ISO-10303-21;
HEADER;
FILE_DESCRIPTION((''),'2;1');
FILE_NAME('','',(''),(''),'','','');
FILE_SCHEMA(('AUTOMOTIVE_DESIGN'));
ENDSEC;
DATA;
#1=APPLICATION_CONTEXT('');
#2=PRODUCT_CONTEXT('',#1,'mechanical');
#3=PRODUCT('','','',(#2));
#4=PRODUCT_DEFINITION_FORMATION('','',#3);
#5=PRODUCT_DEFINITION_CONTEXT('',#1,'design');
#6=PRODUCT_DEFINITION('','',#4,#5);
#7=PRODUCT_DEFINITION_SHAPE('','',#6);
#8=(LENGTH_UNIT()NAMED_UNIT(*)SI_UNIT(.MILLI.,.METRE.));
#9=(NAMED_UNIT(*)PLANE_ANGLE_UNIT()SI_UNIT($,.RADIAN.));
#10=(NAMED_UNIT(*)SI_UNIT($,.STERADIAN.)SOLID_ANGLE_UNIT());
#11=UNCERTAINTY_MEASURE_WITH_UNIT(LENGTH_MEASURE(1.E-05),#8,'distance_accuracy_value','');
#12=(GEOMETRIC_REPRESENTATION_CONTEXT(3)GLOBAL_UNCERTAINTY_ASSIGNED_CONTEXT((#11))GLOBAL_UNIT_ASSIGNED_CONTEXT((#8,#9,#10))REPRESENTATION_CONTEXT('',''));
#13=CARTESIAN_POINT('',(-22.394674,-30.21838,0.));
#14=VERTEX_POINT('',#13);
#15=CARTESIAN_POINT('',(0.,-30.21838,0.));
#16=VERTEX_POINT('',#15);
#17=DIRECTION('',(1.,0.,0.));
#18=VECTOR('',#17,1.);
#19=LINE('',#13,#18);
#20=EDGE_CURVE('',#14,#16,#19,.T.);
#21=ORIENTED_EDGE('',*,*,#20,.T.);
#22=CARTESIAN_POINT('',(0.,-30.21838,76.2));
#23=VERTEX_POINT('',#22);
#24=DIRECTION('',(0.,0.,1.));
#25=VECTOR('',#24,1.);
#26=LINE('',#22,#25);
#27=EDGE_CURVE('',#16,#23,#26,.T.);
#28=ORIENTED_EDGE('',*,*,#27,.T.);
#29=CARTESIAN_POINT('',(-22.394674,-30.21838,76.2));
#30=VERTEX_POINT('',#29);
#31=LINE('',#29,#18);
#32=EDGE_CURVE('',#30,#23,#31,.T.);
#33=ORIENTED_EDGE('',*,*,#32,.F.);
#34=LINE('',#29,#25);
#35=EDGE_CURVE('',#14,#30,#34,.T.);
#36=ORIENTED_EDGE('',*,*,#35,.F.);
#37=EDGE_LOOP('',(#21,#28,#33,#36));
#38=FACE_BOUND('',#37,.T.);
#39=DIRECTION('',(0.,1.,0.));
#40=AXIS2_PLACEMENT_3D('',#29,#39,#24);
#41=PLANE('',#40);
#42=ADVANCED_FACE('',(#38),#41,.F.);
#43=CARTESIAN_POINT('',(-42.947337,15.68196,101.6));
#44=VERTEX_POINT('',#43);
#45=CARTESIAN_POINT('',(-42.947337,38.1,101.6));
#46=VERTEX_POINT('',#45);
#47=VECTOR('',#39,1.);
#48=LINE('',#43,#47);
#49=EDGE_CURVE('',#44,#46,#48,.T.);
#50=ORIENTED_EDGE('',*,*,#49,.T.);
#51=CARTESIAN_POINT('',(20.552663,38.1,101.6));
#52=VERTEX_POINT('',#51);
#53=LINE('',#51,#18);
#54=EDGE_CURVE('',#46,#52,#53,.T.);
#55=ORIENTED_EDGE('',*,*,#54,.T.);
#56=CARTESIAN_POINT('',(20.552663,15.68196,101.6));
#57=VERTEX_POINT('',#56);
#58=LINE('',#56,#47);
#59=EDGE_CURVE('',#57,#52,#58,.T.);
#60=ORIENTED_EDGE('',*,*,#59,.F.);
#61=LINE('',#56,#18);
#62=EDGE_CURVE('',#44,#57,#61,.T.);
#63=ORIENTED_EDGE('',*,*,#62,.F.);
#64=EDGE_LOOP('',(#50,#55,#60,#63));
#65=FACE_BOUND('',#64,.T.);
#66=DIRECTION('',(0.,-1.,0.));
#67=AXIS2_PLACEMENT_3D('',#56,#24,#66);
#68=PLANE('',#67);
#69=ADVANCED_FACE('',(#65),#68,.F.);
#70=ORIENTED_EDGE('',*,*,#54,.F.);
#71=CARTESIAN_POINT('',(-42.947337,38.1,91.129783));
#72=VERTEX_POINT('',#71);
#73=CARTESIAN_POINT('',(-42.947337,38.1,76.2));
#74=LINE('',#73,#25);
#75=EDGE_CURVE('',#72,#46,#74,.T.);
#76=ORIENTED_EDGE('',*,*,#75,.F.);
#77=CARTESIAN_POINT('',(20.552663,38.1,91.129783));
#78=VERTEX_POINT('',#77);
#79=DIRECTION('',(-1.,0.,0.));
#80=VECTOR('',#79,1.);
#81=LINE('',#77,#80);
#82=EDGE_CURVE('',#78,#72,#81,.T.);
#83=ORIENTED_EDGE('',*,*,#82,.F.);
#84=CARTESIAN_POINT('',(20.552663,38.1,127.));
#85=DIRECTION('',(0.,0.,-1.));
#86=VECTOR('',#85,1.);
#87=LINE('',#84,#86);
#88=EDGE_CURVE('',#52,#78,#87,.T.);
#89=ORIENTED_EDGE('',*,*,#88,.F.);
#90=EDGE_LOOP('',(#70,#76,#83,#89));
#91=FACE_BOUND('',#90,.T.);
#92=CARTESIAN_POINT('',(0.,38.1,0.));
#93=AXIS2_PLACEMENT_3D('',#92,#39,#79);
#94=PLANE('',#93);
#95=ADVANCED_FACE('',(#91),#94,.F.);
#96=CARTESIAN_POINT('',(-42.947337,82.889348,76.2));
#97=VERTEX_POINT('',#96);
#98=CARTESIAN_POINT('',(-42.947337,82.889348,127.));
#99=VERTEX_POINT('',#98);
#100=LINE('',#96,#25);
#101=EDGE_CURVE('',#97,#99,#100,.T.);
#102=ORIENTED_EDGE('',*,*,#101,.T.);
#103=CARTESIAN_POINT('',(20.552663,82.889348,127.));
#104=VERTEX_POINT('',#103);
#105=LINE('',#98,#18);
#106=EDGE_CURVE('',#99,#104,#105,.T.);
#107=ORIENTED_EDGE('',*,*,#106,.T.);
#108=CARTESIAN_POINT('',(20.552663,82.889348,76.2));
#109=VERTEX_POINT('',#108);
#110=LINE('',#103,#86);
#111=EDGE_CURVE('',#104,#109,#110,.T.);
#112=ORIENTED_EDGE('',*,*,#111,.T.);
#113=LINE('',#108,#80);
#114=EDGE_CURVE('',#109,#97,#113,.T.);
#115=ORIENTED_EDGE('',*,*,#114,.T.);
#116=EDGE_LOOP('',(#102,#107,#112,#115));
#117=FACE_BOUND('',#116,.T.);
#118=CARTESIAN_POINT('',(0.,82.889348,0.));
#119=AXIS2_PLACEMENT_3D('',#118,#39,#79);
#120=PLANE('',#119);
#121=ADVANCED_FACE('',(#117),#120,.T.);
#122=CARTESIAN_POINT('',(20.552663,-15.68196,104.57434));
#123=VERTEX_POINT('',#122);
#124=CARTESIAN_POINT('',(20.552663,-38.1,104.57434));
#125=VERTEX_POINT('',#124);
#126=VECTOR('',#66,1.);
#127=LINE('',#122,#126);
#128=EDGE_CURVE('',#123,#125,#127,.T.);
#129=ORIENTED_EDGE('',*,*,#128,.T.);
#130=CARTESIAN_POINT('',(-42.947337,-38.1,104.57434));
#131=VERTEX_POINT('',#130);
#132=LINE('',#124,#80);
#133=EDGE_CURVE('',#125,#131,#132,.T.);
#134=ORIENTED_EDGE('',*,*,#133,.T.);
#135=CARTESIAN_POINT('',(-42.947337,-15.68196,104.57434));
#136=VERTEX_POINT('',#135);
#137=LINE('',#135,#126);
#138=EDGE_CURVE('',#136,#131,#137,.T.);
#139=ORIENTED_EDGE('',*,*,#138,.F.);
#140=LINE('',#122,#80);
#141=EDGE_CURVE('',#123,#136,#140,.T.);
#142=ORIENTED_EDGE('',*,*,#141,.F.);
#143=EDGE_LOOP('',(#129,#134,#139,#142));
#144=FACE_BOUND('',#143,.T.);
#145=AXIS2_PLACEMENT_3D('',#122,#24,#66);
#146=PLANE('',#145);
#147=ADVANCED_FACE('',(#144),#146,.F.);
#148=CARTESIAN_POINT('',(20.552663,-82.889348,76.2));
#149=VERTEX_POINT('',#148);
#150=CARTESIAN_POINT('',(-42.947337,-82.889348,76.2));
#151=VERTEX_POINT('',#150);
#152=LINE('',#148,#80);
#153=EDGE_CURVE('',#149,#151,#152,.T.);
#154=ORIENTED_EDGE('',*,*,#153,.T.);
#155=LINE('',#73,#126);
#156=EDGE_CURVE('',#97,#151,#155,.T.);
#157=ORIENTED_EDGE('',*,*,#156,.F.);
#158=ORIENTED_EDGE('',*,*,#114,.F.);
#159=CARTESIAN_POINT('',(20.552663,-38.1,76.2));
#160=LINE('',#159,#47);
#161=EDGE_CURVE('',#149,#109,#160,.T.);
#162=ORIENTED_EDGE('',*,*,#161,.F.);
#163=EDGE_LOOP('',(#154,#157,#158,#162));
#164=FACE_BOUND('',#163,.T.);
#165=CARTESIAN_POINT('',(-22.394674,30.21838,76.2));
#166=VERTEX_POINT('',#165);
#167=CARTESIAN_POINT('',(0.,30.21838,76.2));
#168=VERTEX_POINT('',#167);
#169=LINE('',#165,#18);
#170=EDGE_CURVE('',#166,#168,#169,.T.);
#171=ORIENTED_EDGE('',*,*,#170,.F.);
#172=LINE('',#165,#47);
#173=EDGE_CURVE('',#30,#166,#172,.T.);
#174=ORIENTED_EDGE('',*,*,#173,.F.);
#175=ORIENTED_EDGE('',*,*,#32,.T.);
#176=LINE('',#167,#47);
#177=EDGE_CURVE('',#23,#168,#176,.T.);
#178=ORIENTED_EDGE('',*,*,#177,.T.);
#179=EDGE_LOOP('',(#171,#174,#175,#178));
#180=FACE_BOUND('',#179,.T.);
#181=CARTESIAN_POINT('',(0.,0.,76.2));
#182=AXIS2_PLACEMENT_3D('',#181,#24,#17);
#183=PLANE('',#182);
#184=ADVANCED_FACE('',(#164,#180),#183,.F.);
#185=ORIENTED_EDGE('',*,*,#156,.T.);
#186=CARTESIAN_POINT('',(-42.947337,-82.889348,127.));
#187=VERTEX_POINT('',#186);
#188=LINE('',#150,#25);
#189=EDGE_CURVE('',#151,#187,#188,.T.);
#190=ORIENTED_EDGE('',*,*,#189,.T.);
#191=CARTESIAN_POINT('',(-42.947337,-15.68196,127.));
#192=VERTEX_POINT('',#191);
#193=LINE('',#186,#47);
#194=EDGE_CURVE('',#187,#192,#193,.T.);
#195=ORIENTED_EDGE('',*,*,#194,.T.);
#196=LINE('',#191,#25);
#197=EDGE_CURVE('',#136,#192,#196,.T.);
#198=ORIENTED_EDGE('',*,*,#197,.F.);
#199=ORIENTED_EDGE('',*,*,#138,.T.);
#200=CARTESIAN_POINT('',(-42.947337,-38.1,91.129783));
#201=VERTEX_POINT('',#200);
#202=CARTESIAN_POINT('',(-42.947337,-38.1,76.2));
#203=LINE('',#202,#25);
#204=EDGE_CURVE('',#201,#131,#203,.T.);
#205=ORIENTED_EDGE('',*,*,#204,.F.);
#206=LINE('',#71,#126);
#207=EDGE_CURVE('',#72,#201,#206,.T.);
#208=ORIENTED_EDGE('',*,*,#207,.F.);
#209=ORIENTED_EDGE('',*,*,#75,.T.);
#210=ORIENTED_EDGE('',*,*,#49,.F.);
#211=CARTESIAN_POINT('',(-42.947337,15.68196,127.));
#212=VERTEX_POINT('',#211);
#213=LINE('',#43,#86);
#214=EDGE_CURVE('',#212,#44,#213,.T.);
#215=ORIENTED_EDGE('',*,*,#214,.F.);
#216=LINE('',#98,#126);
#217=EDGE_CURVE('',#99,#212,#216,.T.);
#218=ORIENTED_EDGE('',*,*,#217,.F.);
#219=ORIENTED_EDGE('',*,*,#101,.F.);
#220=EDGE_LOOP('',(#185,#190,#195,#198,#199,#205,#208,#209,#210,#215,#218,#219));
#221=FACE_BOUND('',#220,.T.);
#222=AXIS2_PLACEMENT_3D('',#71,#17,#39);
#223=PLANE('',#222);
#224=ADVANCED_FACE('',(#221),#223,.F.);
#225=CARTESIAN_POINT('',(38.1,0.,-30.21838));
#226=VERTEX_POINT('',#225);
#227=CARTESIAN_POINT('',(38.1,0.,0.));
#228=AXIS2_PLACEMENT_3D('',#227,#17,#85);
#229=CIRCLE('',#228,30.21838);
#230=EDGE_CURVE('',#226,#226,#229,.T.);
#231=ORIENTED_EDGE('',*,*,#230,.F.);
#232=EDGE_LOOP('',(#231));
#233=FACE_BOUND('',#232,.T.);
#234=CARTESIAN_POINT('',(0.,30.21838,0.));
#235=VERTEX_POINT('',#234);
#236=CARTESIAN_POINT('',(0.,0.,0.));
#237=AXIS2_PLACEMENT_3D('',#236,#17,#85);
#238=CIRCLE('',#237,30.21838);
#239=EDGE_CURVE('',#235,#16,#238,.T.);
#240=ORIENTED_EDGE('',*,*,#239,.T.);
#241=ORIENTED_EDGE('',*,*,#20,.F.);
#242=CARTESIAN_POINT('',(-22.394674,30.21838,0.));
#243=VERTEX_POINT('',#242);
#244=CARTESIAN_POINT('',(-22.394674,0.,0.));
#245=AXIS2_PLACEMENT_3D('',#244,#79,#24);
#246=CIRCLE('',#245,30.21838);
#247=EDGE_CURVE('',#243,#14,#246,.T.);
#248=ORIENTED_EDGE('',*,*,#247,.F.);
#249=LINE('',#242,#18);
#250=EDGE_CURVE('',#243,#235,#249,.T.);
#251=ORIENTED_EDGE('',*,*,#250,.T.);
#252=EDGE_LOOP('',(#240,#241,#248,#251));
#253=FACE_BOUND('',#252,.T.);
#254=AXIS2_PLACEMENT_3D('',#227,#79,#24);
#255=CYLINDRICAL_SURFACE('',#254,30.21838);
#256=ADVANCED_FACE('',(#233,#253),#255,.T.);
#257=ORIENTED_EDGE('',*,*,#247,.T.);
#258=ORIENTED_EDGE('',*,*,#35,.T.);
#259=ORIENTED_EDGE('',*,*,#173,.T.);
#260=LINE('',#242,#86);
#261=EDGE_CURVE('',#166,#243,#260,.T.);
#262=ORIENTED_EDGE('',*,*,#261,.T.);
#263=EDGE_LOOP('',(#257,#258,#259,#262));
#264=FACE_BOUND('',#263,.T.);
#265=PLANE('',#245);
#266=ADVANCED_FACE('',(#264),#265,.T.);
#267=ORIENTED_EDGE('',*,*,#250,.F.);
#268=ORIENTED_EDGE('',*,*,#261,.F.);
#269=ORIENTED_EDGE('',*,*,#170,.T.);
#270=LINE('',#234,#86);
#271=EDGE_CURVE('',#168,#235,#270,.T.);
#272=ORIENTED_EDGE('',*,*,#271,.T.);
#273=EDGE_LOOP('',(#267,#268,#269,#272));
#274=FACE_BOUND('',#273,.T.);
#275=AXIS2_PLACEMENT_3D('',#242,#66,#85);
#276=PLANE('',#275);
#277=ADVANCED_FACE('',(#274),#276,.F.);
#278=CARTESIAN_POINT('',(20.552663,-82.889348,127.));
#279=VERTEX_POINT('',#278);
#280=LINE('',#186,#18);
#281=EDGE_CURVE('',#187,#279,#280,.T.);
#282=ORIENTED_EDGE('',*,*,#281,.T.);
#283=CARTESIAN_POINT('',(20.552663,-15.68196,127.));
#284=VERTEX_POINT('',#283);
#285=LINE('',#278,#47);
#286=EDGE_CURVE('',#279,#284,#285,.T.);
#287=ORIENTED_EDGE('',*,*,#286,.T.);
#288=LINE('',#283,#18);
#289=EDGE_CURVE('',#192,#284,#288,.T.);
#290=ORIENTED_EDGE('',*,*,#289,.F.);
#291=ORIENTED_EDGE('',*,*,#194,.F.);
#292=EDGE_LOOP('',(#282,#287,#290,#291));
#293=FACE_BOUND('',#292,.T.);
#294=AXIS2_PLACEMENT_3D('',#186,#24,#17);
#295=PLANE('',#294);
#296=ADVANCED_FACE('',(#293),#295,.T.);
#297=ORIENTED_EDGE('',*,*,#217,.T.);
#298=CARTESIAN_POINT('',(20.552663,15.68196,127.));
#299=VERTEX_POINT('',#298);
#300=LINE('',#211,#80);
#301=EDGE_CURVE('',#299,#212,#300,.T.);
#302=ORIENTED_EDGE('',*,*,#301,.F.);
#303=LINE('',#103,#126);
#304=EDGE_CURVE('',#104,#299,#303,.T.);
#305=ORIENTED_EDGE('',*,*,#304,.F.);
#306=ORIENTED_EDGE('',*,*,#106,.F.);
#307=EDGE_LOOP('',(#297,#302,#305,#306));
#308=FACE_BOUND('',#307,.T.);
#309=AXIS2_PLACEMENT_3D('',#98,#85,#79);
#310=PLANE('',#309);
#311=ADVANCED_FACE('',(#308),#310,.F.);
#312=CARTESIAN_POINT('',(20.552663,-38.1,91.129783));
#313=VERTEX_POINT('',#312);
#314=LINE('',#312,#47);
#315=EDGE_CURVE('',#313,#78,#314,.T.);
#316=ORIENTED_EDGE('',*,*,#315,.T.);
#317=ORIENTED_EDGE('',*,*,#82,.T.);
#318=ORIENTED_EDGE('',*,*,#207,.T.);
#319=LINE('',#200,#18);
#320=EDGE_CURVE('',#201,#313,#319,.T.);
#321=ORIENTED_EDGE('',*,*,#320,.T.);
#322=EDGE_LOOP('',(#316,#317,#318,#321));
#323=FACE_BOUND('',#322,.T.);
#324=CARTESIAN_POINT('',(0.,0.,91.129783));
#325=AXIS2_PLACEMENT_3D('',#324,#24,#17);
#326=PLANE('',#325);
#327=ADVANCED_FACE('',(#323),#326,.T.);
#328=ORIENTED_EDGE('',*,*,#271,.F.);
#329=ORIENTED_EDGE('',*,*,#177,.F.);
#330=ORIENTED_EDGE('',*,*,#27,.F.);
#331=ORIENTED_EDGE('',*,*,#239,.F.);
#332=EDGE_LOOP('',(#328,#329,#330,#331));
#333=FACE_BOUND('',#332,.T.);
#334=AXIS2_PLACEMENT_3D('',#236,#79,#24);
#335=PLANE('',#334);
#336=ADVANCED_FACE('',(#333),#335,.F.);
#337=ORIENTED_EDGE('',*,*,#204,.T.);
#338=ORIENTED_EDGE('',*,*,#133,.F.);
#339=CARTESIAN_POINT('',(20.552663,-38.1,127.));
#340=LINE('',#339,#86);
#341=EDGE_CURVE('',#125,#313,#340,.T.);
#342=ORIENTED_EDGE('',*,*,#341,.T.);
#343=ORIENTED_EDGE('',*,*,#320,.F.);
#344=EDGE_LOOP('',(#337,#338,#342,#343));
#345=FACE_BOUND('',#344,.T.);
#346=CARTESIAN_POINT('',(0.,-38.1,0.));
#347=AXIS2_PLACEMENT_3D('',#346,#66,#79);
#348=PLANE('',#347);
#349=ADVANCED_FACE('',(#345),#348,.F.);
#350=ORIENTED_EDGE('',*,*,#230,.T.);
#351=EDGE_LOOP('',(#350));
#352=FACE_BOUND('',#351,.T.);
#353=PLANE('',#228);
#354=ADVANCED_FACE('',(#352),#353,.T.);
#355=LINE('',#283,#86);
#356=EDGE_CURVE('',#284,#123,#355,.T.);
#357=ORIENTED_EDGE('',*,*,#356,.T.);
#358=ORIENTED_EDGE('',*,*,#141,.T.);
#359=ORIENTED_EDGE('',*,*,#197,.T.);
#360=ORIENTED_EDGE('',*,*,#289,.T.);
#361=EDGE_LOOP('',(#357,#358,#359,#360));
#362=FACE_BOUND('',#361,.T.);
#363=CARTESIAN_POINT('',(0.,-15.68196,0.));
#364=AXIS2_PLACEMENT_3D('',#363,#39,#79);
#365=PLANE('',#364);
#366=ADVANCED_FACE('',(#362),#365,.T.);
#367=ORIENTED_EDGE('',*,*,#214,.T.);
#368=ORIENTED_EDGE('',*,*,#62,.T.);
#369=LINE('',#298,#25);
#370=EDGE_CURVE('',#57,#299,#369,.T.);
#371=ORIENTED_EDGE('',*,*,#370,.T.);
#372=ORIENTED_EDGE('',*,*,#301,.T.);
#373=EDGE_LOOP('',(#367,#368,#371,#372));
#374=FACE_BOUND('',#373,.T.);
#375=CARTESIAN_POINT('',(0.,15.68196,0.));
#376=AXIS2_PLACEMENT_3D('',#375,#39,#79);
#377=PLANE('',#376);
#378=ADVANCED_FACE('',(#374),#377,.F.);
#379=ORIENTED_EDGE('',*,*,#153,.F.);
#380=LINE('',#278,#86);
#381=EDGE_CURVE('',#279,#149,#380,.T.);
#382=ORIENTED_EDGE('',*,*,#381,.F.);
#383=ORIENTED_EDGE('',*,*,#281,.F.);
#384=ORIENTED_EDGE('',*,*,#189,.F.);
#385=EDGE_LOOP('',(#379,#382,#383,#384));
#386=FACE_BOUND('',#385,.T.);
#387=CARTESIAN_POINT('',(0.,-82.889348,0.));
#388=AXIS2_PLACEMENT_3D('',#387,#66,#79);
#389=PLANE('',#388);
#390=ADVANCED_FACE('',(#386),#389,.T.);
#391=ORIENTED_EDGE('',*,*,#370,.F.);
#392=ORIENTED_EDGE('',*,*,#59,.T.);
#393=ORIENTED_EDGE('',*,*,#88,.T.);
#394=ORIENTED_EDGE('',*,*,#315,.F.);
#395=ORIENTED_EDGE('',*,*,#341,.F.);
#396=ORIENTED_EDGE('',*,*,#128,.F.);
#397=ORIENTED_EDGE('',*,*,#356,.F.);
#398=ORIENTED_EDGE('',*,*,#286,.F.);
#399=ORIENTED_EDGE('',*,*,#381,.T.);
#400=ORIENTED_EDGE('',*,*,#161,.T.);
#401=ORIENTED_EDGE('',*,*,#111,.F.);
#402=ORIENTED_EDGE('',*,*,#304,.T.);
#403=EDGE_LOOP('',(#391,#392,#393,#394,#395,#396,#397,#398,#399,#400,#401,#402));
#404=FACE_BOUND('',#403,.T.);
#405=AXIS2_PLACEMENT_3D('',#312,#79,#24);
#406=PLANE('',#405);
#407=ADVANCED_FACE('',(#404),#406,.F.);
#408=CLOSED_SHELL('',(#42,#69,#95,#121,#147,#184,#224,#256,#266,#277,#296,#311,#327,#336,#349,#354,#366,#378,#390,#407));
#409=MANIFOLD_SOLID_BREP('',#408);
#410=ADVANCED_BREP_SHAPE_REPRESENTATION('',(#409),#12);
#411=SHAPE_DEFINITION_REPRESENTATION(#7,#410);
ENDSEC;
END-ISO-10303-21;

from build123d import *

# Parameters (mm, degrees)
SKETCH1_R           = 30.21838041
BOSS_EXTRUDE1_DEPTH = 38.1
BOSS_EXTRUDE2_START = 22.394673824
BOSS_EXTRUDE2_DEPTH = 22.394673824
SKETCH4_W           = 63.5
SKETCH4_H           = 76.2
BOSS_EXTRUDE4_DEPTH = 14.929782549
SKETCH5_W           = 63.5
SKETCH5_H           = 50.8
BOSS_EXTRUDE5_DEPTH = 44.789347647
SKETCH7_W           = 63.5
SKETCH7_H           = 25.4
BOSS_EXTRUDE7_DEPTH = 22.41804
SKETCH8_W           = 63.5
SKETCH8_H           = 22.42566
BOSS_EXTRUDE8_DEPTH = 22.41804


with BuildPart() as part:
    # Sketch1 → Boss-Extrude1 (new body)
    with BuildSketch(Plane.YZ):
        with Locations(Location((0, 0, 0), (0, 0, 90))):
            Circle(SKETCH1_R)
    extrude(amount=BOSS_EXTRUDE1_DEPTH)

    # Sketch2 → Boss-Extrude2 (add)
    with BuildSketch(Plane(origin=(0, 0, 0), x_dir=(0, -1, 0), z_dir=(-1, 0, 0)).offset(BOSS_EXTRUDE2_START)):
        with BuildLine():
            Line((-30.21838041, 0), (-30.21838041, 76.2))
            Line((-30.21838041, 76.2), (30.21838041, 76.2))
            Line((30.21838041, 76.2), (30.21838041, 0))
            ThreePointArc((30.21838041, 0), (0, -30.21838041), (-30.21838041, 0))
        make_face()
    extrude(amount=-BOSS_EXTRUDE2_DEPTH)

    # Sketch4 → Boss-Extrude4 (add)
    with BuildSketch(Plane.XY.offset(76.2)):
        with Locations((-11.197336912, 0)):
            Rectangle(SKETCH4_W, SKETCH4_H)
    extrude(amount=BOSS_EXTRUDE4_DEPTH)

    # Sketch5 → Boss-Extrude5 (add)
    with BuildSketch(Plane(origin=(0, 38.1, 0), x_dir=(-1, 0, 0), z_dir=(0, 1, 0))):
        with Locations((11.197336912, 101.6)):
            Rectangle(SKETCH5_W, SKETCH5_H)
    boss_extrude5 = extrude(amount=BOSS_EXTRUDE5_DEPTH)

    # Mirror1: Boss-Extrude5 across plane
    add(boss_extrude5.mirror(Plane.ZX))

    # Sketch7 → Boss-Extrude7 (add)
    with BuildSketch(Plane.XZ.offset(-38.1)):
        with Locations((-11.197336912, 114.3)):
            Rectangle(SKETCH7_W, SKETCH7_H)
    extrude(amount=BOSS_EXTRUDE7_DEPTH)

    # Sketch8 → Boss-Extrude8 (add)
    with BuildSketch(Plane(origin=(0, -38.1, 0), x_dir=(-1, 0, 0), z_dir=(0, 1, 0))):
        with Locations((11.197336912, 115.78717)):
            Rectangle(SKETCH8_W, SKETCH8_H)
    extrude(amount=BOSS_EXTRUDE8_DEPTH)


solid = part.part
